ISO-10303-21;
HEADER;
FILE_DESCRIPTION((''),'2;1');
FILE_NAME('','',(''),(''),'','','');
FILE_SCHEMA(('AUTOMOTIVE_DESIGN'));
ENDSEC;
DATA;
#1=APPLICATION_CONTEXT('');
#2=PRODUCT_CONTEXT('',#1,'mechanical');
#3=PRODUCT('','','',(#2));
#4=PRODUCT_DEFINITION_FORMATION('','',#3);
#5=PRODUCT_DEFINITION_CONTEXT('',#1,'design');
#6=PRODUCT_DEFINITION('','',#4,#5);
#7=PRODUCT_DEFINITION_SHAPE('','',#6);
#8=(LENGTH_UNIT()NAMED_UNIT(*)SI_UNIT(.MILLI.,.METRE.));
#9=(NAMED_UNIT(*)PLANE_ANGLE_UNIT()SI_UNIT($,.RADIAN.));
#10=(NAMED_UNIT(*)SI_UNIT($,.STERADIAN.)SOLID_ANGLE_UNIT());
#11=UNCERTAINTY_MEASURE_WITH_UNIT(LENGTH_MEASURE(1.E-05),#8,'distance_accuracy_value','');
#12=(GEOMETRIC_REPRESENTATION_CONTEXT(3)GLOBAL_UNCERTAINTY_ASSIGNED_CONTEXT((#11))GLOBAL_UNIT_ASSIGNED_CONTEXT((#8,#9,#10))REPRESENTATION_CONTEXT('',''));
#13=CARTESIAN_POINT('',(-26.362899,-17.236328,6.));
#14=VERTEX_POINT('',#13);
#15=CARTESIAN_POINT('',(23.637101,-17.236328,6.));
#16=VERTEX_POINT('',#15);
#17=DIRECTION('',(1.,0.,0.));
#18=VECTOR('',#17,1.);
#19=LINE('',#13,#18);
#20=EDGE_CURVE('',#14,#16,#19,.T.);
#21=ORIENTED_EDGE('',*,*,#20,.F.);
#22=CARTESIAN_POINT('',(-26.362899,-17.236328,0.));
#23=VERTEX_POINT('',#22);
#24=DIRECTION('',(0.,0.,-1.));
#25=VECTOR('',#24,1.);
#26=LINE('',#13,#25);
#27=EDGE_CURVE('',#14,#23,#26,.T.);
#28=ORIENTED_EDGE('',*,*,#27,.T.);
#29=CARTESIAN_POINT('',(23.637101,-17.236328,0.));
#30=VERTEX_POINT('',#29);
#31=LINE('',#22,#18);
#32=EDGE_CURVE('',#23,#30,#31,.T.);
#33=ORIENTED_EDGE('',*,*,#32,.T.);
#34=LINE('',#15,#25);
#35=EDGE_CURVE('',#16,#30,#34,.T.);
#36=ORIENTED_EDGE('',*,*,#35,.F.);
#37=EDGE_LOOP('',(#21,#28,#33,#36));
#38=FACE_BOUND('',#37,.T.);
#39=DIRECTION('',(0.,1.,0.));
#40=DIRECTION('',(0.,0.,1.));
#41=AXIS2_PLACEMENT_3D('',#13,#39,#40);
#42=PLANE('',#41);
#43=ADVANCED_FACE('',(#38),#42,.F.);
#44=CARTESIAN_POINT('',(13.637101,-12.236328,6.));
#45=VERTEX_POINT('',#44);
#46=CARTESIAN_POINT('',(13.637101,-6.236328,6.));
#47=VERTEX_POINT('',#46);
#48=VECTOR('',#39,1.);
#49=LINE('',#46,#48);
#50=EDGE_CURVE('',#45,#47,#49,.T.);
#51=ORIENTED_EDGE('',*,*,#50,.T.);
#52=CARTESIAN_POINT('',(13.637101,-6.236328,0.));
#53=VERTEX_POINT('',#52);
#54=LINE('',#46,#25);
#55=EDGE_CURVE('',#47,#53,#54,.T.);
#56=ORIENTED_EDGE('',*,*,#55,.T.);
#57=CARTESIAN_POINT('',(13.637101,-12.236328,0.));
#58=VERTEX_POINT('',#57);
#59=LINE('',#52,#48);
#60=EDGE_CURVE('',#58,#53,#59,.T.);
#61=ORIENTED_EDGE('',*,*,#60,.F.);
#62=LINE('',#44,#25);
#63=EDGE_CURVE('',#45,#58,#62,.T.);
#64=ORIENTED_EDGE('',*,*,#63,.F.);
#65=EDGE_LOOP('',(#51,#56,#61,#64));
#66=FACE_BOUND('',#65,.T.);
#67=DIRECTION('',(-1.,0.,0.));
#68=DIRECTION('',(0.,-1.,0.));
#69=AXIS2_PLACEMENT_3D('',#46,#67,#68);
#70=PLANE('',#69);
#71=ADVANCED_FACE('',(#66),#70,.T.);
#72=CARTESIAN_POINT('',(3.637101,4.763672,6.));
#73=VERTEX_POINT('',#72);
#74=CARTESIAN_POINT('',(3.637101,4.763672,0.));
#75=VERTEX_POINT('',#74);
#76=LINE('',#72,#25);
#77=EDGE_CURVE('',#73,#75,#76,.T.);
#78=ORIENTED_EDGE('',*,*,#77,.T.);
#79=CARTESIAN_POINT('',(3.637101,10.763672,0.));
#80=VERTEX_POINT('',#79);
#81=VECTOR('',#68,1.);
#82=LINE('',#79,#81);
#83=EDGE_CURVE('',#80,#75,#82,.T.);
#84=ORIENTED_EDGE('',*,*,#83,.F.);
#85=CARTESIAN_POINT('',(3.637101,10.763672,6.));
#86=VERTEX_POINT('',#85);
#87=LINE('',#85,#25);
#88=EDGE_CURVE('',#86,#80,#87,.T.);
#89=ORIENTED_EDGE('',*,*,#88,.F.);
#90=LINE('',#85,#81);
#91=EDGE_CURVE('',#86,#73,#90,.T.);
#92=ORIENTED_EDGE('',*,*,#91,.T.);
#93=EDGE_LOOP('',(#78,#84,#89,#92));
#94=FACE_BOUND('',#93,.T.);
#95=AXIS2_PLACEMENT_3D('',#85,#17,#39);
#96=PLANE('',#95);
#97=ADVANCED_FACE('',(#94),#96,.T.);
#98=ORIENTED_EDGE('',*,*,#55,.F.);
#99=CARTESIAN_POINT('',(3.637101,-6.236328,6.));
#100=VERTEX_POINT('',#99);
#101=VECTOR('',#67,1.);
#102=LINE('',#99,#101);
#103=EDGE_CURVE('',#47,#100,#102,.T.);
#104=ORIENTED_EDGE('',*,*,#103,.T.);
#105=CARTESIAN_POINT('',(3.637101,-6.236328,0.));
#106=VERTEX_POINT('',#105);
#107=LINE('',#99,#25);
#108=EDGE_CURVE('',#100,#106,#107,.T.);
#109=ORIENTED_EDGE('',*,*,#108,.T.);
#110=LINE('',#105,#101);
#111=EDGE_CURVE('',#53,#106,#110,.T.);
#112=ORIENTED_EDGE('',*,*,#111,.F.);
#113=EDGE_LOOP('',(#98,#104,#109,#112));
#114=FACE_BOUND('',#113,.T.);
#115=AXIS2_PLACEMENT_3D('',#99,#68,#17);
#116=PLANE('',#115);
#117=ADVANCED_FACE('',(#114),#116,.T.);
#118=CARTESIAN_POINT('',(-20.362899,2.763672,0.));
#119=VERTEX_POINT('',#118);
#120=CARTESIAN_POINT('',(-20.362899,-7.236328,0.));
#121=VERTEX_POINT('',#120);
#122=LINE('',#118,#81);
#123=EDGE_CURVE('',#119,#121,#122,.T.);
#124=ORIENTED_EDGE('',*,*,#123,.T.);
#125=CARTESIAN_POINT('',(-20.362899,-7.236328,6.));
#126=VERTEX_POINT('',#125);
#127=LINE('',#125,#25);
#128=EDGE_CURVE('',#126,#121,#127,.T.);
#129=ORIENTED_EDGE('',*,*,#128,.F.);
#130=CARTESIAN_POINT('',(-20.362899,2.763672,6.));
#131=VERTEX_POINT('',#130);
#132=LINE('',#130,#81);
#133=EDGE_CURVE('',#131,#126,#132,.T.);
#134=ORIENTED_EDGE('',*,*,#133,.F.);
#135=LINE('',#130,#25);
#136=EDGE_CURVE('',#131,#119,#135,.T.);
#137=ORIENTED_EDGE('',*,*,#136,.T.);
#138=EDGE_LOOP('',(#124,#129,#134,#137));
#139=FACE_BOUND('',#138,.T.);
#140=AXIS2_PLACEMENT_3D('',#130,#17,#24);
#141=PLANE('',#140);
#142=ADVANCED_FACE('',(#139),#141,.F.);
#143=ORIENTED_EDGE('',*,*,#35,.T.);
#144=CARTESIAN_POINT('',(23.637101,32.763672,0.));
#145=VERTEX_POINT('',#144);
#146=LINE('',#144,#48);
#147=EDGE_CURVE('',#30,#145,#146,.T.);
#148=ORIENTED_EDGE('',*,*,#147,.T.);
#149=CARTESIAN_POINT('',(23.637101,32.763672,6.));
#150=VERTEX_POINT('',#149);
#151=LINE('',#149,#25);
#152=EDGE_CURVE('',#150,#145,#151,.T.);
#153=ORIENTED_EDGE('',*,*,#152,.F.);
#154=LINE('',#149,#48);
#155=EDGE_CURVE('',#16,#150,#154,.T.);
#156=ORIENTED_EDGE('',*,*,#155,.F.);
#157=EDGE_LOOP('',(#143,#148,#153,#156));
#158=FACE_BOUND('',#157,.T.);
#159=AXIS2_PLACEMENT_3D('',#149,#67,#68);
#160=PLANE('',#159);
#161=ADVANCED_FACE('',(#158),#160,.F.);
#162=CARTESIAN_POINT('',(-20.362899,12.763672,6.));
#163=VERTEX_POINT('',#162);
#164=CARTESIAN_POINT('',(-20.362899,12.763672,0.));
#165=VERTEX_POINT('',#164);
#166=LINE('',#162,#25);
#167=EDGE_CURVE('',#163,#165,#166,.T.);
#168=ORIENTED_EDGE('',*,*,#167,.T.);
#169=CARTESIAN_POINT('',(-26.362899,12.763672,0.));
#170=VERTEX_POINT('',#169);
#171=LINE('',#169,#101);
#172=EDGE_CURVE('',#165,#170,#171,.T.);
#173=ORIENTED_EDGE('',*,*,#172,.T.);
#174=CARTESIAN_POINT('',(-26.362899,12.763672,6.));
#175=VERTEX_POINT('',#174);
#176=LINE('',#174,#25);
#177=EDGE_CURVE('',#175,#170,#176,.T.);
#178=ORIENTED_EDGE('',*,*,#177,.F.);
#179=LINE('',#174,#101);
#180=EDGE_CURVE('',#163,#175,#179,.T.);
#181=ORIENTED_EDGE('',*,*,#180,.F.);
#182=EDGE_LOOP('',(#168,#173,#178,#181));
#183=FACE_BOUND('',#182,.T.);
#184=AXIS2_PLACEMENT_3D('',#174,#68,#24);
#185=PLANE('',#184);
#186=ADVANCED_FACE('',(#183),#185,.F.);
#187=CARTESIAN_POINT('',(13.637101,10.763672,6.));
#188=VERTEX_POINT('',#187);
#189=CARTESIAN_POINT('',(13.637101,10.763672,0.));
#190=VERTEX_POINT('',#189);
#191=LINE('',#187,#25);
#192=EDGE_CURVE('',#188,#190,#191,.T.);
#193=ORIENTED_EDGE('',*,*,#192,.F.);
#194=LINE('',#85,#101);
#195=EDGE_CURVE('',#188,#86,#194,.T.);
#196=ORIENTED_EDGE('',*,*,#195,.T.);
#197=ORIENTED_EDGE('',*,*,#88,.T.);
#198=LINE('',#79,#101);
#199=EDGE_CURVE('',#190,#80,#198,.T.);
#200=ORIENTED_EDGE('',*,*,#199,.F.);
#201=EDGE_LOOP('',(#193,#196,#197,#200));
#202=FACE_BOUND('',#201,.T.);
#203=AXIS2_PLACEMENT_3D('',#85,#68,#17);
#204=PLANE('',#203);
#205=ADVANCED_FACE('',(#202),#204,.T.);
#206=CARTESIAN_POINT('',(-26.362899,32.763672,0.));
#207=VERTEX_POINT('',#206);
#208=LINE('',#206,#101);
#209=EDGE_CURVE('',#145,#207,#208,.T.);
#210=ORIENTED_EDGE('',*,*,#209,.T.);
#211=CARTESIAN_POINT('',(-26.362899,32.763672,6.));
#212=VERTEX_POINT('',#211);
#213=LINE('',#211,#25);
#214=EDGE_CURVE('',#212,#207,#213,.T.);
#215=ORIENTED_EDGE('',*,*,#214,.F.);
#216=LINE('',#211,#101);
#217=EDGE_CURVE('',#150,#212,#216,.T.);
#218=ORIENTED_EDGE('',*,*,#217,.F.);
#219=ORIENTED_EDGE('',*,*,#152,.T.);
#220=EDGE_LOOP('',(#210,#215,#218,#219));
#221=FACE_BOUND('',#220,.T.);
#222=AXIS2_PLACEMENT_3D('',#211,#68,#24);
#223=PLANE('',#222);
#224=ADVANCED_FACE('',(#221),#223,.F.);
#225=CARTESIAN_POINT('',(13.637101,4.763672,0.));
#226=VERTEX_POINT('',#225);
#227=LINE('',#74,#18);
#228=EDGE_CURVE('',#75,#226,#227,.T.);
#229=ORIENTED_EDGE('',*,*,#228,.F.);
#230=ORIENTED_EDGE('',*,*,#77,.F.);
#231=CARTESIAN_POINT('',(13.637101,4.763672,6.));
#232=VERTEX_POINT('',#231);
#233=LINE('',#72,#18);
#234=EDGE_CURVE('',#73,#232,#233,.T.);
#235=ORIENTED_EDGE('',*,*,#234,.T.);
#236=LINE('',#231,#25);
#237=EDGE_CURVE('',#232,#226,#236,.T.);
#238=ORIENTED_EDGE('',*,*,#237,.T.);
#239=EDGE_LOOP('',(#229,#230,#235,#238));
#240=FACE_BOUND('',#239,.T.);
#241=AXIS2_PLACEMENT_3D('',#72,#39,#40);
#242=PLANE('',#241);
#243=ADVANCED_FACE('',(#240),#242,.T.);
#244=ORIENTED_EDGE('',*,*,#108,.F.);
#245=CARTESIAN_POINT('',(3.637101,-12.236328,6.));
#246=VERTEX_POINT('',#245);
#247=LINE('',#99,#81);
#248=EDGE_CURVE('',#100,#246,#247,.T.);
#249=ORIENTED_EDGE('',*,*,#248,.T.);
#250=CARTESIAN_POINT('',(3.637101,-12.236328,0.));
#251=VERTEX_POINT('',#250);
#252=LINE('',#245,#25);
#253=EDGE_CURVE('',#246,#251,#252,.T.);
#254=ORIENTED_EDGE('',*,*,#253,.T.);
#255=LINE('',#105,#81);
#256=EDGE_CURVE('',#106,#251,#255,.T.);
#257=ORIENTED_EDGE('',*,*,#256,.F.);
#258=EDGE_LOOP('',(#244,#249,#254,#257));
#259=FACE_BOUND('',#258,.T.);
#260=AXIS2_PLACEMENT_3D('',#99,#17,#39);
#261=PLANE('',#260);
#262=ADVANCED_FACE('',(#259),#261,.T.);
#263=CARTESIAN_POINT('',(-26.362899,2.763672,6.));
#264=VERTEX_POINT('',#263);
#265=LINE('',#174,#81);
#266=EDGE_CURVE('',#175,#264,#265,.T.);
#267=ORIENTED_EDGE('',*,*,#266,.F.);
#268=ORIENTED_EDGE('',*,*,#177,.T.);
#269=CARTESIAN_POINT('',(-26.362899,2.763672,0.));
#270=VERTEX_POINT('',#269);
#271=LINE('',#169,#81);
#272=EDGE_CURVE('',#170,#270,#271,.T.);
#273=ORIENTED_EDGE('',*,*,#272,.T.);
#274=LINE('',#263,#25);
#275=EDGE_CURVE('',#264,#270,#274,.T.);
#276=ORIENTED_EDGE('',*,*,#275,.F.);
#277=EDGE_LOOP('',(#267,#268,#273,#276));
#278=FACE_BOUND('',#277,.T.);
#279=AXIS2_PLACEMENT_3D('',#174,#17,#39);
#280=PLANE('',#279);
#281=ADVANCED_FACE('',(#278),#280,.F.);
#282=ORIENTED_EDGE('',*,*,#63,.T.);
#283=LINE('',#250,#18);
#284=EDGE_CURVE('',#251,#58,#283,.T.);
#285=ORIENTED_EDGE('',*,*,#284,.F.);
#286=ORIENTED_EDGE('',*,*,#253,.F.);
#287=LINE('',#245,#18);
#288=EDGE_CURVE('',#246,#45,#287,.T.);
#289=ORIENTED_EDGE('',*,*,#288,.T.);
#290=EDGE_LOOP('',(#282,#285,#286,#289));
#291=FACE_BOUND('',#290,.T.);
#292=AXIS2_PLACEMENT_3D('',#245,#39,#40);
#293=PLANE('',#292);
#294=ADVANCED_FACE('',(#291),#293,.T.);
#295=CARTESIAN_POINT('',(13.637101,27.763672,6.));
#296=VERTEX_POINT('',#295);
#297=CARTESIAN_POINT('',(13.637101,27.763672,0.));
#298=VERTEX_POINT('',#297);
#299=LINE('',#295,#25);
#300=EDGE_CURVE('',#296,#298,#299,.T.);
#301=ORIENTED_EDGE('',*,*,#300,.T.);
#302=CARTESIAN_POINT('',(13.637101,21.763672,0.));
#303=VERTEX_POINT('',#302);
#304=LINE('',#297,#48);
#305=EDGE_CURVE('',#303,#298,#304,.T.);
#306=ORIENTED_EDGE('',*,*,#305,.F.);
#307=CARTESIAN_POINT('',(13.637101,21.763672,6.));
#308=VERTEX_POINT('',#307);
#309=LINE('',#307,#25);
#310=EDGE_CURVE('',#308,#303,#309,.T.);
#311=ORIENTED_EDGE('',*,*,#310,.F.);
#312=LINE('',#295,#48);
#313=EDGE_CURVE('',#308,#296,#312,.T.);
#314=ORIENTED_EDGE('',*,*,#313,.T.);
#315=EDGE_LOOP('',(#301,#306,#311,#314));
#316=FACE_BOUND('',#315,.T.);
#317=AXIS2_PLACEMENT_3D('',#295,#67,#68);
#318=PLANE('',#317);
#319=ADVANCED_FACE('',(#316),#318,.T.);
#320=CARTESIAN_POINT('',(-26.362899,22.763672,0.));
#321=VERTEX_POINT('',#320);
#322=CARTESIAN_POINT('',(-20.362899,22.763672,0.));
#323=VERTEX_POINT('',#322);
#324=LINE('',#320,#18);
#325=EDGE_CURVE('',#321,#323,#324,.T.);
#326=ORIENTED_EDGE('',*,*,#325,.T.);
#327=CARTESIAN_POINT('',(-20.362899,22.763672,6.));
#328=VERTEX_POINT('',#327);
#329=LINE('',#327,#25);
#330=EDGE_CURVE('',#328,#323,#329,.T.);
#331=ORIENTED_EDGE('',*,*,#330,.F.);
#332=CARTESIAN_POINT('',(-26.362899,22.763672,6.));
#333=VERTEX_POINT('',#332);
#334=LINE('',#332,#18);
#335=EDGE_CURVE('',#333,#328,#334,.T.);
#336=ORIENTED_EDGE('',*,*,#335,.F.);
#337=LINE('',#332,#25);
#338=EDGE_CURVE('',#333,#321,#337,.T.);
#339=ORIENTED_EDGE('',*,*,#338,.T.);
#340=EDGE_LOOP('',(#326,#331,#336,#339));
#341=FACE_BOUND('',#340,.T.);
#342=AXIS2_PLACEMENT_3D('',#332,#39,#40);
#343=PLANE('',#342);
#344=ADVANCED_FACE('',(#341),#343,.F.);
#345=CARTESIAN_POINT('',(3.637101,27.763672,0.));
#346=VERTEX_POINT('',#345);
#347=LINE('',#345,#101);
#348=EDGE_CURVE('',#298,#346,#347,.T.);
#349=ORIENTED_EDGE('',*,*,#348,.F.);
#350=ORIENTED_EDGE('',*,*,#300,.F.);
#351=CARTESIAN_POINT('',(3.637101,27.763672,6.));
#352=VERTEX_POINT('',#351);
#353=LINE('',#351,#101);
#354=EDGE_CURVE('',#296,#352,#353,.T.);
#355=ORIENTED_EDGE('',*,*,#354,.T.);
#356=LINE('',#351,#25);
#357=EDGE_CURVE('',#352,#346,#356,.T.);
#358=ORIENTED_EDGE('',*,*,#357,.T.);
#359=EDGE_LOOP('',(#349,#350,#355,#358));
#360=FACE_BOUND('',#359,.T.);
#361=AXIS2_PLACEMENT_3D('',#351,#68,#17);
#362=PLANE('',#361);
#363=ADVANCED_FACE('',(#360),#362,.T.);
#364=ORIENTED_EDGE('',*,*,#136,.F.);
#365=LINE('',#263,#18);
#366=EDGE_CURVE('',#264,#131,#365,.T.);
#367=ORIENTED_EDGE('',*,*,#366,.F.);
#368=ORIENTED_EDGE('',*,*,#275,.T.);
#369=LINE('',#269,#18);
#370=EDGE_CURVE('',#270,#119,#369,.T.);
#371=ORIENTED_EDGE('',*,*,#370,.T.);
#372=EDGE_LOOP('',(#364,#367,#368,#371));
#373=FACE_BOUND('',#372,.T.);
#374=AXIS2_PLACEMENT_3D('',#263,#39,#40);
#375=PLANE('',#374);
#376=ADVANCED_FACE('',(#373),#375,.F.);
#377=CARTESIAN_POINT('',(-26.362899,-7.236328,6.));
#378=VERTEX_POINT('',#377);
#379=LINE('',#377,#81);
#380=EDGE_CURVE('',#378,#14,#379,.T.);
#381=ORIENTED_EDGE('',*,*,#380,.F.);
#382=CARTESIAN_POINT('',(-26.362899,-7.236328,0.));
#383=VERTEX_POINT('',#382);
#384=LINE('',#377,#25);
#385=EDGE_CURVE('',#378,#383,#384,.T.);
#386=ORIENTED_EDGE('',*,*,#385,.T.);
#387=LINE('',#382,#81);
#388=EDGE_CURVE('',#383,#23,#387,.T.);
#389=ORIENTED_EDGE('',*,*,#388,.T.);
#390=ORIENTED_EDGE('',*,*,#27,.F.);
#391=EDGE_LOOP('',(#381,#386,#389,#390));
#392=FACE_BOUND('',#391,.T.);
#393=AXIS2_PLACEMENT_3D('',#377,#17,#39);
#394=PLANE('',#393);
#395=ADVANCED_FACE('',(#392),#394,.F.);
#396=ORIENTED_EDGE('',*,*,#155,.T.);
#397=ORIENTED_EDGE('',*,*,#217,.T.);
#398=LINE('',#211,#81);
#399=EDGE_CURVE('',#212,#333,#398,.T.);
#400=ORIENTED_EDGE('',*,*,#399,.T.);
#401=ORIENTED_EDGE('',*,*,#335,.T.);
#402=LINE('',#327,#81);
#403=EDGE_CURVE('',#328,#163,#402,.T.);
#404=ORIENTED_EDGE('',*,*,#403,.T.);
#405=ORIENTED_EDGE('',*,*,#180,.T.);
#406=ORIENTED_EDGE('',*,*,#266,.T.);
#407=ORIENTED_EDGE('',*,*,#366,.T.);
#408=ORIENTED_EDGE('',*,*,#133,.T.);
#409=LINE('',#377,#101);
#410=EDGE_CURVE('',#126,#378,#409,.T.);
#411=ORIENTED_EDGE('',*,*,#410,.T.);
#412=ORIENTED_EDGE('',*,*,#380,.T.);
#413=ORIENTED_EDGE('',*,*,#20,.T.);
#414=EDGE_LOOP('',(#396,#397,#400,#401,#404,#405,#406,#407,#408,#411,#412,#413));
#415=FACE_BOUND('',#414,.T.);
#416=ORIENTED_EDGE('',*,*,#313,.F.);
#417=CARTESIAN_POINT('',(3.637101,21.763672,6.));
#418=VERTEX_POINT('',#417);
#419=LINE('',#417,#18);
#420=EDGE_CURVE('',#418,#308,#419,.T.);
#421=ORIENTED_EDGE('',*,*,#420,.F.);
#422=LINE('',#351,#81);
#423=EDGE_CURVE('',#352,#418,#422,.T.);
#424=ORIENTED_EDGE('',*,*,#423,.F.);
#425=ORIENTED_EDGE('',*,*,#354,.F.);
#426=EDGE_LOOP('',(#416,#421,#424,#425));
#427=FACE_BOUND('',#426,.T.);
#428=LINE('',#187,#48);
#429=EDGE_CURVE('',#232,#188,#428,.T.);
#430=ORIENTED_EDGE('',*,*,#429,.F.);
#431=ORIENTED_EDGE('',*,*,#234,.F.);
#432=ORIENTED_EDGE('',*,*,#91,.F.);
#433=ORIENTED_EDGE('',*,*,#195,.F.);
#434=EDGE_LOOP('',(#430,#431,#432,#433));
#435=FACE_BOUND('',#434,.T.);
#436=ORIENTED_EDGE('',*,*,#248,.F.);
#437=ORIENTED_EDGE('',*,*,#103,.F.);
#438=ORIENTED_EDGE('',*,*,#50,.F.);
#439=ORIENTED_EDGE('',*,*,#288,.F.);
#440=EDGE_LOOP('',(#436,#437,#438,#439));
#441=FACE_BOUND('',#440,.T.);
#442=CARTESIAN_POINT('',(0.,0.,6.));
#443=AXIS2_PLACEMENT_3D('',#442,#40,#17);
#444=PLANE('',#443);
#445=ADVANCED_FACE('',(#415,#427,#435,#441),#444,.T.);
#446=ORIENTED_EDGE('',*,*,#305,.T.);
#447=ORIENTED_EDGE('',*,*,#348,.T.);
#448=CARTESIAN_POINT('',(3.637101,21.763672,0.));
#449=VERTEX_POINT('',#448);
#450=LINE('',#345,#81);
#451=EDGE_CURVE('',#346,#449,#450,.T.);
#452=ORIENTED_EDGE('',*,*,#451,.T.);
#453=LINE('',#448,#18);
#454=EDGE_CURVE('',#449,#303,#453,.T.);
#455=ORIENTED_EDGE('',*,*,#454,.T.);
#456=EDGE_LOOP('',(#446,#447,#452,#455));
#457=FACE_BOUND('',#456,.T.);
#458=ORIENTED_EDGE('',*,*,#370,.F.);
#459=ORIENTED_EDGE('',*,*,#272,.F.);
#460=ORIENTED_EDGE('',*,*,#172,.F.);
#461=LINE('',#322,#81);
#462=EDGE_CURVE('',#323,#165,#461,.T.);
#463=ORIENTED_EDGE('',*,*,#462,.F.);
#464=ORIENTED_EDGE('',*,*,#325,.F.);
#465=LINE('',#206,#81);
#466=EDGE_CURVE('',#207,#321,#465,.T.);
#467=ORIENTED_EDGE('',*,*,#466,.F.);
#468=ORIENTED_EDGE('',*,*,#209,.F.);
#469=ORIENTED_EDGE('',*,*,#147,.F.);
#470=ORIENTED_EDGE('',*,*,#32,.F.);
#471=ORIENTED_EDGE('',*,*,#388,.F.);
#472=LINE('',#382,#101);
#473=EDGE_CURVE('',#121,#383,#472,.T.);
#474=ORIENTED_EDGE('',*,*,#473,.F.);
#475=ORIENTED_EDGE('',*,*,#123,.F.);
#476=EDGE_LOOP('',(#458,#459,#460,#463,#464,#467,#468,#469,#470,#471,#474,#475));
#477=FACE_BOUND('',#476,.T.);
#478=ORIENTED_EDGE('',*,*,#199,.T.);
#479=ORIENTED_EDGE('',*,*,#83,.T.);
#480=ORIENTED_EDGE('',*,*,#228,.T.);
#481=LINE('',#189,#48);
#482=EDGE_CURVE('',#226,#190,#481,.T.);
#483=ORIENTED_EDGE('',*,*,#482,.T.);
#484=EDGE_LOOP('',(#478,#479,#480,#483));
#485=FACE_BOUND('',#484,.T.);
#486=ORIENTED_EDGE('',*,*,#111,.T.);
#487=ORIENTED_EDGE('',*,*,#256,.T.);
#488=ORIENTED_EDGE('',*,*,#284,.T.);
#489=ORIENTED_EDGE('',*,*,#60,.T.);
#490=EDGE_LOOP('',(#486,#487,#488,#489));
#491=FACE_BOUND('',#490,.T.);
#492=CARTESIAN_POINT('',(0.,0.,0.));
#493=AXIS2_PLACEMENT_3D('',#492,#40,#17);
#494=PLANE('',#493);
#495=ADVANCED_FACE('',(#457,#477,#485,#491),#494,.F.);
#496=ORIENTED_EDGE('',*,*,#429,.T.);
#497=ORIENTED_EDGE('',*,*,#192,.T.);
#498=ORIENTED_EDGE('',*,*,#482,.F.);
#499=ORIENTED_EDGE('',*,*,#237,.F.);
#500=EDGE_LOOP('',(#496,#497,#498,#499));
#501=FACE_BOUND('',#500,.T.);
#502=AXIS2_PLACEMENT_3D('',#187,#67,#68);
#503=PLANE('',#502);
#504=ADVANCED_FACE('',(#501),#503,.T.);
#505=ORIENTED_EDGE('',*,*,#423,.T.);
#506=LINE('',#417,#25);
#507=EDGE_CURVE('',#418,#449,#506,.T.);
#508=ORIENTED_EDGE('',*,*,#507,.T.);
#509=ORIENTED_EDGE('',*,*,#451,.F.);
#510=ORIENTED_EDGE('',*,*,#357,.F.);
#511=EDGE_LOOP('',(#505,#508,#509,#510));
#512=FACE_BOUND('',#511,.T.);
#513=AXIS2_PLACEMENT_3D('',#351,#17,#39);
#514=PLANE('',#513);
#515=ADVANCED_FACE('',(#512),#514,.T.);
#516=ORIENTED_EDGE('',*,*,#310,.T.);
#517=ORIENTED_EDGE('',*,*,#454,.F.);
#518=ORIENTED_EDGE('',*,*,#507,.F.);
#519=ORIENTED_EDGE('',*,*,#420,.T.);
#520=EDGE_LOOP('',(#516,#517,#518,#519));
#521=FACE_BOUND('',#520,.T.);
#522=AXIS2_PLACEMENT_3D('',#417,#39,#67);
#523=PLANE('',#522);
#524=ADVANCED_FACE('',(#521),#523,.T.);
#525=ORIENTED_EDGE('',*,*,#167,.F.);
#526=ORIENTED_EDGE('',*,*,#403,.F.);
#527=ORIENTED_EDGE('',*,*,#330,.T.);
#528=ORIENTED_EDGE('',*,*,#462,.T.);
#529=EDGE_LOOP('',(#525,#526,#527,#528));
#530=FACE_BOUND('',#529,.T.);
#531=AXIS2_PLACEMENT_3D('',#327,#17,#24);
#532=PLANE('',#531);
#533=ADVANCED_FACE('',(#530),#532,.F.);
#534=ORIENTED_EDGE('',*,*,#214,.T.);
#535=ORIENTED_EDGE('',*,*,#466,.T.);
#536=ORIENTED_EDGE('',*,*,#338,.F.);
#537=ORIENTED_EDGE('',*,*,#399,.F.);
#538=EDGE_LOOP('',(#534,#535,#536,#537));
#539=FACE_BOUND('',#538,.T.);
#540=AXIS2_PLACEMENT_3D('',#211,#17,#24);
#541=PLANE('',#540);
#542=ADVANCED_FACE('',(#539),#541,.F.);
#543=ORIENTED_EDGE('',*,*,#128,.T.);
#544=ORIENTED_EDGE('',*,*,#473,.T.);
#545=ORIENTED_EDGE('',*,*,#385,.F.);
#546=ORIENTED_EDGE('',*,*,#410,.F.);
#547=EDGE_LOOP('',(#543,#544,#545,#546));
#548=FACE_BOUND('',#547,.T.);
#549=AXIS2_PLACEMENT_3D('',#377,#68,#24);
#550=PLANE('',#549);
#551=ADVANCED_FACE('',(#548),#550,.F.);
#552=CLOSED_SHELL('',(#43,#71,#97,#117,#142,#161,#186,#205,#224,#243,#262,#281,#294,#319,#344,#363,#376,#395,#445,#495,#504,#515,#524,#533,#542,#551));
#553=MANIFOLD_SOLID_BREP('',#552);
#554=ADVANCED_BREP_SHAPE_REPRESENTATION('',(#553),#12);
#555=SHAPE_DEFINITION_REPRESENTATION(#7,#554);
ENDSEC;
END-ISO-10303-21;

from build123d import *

# Parameters (mm, degrees)
SKETCH_1_W      = 10
SKETCH_1_H      = 6
EXTRUDE_1_DEPTH = 6


with BuildPart() as part:
    # 草圖1 → 填料-伸長1 (new body)
    with BuildSketch(Plane.XY):
        Polygon((-26.362898543, 32.763671875), (23.637101457, 32.763671875), (23.637101457, -17.236328125), (-26.362898543, -17.236328125), (-26.362898543, -7.236328125), (-20.362898543, -7.236328125), (-20.362898543, 2.763671875), (-26.362898543, 2.763671875), (-26.362898543, 12.763671875), (-20.362898543, 12.763671875), (-20.362898543, 22.763671875), (-26.362898543, 22.763671875), align=None)
        with Locations((8.637101457, 7.763671875)):
            Rectangle(SKETCH_1_W, SKETCH_1_H, mode=Mode.SUBTRACT)
        with Locations((8.637101457, 24.763671875)):
            Rectangle(SKETCH_1_W, SKETCH_1_H, mode=Mode.SUBTRACT)
        with Locations((8.637101457, -9.236328125)):
            Rectangle(SKETCH_1_W, SKETCH_1_H, mode=Mode.SUBTRACT)
    extrude(amount=EXTRUDE_1_DEPTH)


solid = part.part
